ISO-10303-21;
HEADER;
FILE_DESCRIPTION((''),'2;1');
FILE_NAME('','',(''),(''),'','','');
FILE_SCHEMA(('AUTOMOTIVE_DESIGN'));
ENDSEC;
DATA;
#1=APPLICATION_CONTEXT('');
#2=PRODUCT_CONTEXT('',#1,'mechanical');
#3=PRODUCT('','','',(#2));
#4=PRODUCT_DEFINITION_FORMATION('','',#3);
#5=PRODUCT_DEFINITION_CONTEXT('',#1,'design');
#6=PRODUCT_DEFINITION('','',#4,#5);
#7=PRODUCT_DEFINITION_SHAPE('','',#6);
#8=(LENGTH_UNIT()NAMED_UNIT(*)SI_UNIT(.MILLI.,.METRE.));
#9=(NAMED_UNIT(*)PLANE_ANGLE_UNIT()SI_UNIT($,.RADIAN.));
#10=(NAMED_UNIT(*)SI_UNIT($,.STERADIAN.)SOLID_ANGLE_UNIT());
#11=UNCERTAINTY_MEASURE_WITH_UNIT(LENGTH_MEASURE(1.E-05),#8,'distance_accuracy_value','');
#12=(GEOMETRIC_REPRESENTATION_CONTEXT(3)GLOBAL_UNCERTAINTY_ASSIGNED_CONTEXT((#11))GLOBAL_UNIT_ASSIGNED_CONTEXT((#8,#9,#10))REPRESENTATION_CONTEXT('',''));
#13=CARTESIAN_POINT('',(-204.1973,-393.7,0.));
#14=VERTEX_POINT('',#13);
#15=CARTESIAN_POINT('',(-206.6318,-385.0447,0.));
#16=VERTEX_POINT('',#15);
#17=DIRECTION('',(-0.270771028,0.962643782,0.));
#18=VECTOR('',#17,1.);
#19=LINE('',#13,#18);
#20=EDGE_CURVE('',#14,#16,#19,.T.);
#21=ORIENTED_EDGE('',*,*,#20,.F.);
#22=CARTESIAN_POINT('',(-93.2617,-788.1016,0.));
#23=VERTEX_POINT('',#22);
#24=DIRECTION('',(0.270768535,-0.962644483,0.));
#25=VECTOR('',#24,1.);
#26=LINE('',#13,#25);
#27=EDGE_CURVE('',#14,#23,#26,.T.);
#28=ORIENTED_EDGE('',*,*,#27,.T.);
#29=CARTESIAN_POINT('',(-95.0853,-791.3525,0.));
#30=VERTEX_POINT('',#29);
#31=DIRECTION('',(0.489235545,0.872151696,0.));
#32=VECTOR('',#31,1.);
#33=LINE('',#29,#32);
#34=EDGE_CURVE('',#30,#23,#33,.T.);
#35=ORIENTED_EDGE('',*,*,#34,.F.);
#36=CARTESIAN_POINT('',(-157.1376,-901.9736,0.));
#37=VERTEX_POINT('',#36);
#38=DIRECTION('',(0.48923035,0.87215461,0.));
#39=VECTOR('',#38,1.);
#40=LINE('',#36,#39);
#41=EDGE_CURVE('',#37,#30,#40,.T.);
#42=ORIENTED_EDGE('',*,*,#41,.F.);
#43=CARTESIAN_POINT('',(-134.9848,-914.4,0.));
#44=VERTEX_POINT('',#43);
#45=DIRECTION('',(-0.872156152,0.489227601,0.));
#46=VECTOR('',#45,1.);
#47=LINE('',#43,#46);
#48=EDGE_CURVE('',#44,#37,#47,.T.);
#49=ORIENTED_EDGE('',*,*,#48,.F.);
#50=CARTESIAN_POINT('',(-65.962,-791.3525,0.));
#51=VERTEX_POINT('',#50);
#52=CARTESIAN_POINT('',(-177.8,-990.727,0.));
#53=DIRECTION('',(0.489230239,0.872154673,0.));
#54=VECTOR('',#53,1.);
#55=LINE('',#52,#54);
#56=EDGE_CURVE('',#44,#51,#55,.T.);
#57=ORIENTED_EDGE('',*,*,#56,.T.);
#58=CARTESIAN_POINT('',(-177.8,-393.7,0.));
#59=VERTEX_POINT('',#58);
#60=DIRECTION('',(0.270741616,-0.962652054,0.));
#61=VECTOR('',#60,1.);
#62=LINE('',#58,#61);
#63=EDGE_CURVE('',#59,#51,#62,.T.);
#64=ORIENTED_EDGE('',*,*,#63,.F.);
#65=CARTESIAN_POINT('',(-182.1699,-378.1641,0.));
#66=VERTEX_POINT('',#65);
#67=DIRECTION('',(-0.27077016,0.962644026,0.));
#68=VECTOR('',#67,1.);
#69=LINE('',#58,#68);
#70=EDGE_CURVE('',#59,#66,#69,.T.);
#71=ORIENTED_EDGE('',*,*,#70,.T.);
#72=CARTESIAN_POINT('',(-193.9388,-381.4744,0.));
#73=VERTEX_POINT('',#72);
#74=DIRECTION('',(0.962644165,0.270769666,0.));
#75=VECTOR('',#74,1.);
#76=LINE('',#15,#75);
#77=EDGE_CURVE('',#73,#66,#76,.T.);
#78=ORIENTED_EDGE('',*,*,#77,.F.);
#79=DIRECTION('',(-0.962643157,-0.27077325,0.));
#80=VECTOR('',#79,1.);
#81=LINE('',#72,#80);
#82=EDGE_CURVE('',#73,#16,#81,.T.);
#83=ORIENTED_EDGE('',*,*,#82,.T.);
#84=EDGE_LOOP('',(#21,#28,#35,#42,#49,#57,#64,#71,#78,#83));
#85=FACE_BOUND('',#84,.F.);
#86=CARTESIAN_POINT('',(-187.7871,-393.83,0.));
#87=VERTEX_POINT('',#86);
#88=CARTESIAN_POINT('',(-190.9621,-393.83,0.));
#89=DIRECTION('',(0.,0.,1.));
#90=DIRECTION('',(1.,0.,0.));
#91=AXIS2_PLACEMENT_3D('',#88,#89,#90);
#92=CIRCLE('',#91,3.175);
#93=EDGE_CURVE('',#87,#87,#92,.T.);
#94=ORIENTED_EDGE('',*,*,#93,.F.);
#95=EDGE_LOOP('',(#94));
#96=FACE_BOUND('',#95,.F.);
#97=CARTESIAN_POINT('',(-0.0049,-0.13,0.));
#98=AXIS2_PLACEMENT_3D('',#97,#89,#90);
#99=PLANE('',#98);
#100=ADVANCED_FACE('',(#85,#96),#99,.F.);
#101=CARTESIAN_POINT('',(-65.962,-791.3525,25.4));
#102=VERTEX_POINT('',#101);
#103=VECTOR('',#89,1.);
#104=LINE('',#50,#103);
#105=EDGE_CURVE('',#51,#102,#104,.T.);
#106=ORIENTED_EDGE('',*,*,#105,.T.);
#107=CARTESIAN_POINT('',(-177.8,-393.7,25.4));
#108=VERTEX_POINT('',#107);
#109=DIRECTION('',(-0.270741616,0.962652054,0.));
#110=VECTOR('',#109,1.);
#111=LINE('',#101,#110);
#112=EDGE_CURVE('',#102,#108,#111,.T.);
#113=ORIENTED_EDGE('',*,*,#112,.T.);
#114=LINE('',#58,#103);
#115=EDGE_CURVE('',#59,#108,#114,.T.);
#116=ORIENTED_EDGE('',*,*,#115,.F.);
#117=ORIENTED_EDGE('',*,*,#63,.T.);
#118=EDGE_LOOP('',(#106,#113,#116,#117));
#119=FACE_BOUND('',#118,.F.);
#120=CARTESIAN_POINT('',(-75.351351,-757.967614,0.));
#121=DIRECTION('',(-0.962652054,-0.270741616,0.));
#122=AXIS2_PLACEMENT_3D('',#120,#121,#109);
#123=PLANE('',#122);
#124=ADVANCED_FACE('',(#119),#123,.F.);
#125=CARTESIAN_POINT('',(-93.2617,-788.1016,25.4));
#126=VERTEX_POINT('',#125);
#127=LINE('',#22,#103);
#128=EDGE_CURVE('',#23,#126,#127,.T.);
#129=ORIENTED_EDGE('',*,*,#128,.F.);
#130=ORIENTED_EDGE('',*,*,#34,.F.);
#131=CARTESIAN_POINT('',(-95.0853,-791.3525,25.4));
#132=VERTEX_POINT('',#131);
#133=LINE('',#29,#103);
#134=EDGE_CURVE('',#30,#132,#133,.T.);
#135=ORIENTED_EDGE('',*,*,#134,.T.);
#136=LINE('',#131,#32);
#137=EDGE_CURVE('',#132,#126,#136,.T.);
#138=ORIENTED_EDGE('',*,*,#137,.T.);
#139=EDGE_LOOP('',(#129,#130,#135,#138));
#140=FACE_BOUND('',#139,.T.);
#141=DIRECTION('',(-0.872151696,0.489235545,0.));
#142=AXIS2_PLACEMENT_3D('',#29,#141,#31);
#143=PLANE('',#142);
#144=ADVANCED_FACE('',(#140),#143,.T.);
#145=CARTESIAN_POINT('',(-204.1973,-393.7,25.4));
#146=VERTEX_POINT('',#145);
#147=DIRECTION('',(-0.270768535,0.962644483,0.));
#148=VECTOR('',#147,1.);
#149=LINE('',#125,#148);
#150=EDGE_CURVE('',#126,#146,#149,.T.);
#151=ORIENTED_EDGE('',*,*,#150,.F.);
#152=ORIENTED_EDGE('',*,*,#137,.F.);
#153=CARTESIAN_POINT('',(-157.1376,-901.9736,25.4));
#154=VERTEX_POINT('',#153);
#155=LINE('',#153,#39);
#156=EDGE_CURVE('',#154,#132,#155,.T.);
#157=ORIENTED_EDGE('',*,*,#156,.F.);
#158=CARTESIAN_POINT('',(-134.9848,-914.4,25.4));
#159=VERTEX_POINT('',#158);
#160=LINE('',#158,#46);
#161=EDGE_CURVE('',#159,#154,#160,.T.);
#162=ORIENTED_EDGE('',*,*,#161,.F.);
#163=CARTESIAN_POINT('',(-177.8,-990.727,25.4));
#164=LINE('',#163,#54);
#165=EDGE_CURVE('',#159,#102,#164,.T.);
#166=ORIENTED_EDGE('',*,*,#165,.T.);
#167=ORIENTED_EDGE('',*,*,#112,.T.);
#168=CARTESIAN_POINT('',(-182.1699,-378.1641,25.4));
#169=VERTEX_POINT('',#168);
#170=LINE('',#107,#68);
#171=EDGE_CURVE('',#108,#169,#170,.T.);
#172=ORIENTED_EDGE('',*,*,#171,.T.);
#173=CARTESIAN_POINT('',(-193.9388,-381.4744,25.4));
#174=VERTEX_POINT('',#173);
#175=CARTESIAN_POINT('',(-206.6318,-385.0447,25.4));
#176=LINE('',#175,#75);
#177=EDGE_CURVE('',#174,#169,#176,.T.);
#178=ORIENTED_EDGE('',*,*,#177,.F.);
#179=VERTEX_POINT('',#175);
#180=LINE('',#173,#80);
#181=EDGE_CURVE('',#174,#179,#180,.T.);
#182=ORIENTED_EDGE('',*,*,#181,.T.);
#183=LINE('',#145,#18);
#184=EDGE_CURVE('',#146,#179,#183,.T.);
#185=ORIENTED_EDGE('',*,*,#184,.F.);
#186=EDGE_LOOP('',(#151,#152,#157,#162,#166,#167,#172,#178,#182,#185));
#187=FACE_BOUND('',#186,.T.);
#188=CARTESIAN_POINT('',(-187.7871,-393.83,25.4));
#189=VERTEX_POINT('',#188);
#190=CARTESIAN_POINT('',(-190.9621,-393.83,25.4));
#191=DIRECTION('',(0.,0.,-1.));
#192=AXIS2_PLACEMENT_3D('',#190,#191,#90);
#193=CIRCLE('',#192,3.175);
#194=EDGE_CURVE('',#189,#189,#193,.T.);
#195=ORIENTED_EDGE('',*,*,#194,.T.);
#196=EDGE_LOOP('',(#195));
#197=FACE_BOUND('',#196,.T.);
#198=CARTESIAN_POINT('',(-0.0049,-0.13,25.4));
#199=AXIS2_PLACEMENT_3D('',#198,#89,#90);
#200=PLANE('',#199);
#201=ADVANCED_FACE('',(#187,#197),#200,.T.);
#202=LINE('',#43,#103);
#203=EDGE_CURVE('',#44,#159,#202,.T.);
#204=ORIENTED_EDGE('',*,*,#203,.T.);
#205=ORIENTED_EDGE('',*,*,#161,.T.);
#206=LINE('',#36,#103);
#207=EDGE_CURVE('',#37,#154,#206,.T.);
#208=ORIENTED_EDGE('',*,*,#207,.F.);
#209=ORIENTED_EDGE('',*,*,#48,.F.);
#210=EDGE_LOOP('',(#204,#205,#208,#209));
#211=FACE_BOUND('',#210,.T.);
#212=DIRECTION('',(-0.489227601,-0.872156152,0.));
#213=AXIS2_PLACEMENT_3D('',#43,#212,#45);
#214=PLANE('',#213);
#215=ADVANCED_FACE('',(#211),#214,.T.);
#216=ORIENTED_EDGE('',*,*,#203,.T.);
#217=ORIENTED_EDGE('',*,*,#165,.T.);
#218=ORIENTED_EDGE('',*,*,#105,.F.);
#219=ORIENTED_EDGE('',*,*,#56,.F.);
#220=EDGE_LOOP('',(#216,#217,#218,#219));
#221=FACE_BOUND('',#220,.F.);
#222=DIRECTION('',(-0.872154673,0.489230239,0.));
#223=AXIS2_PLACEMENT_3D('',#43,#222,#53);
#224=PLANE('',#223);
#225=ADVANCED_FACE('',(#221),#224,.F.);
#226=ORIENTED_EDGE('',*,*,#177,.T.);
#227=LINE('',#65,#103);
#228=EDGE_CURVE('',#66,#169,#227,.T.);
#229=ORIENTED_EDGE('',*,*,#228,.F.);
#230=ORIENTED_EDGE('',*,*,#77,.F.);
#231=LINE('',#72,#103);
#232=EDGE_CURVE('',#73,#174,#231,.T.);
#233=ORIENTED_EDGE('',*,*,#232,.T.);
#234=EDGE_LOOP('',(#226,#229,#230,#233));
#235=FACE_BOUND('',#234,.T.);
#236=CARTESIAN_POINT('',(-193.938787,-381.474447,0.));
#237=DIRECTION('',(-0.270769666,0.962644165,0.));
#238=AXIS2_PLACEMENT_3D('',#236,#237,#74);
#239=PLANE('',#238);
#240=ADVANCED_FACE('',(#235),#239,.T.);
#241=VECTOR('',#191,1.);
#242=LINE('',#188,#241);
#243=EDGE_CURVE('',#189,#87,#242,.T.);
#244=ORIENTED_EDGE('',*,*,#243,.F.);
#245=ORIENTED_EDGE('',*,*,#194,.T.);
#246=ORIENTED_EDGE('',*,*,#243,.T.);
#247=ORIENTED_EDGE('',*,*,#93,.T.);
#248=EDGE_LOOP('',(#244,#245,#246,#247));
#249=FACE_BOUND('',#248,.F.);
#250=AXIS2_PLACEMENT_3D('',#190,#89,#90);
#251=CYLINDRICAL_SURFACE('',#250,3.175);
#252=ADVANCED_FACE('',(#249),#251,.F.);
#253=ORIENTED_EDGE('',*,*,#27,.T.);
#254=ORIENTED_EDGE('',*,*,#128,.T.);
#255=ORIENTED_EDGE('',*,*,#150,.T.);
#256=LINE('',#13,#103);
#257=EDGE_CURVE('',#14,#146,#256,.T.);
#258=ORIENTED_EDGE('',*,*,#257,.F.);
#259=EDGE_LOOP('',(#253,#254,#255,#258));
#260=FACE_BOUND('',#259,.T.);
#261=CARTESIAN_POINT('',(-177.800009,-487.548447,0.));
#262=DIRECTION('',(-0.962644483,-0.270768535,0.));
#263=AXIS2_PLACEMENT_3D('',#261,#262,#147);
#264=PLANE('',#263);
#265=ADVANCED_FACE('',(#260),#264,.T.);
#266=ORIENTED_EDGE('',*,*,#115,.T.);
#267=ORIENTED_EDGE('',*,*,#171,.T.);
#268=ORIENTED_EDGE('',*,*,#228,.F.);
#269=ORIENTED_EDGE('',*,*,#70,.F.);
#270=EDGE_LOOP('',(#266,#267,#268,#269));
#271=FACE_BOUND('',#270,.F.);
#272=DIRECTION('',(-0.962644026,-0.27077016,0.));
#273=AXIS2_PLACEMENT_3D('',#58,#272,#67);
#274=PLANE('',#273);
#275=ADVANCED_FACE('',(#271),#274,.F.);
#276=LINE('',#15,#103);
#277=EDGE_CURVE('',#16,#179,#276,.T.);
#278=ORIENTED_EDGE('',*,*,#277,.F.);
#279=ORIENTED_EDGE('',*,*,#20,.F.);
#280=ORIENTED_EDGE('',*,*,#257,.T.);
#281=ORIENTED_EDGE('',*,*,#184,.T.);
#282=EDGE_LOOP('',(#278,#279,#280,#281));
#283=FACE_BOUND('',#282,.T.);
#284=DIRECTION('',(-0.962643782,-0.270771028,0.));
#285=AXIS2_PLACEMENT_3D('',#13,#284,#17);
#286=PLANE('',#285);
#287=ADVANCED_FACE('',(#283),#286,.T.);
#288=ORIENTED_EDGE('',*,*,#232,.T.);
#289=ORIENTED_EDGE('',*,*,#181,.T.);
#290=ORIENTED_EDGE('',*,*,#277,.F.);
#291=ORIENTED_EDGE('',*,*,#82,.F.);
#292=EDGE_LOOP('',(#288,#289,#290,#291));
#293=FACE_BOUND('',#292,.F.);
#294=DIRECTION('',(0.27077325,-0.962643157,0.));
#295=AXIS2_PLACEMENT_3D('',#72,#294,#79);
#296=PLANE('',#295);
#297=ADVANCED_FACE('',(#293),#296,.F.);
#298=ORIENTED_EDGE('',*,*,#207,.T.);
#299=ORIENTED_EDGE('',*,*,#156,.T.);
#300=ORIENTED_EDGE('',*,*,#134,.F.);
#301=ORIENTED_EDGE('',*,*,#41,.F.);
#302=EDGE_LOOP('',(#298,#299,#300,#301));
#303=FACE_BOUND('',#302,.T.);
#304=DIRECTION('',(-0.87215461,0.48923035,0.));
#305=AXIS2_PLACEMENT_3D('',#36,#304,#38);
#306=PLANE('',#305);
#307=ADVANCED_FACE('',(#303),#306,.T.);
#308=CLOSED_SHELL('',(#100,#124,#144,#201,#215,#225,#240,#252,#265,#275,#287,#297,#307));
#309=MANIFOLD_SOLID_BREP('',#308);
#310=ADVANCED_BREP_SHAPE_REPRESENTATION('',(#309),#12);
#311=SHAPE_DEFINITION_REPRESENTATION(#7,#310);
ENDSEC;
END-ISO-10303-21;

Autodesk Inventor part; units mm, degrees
ref_plane "YZ Plane" through (0, 0, 0) normal (1, 0, 0) x (0, 1, 0)
ref_plane "XZ Plane" through (0, 0, 0) normal (0, 1, 0) x (-1, 0, 0)
ref_plane "XY Plane" through (0, 0, 0) normal (0, 0, 1) x (1, 0, 0)
ref_plane "Work Plane1" through (-0.0049, -0.13, 0) normal (0, 0, 1) x (1, 0, 0)
sketch "Sketch1" plane through (-0.0049, -0.13, 0) normal (0, 0, 1) x (1, 0, 0)
  line L0 (0.0049, 0.13) -> (-63.4951, 0.13)
  line L1 (-63.4951, 0.13) -> (-63.4951, -482.47)
  line L2 (-63.4951, -482.47) -> (0.0049, -482.47)
  line L3 (0.0049, -482.47) -> (0.0049, 0.13)
  line L4 (-63.4951, -482.47) -> (114.3049, -482.47)
  line L5 (-63.4951, -482.47) -> (114.3049, -482.47) construction
  line L6 (-63.4951, -482.47) -> (63.5049, -482.47)
  line L7 (63.5049, -482.47) -> (63.5049, -406.27)
  line L8 (63.5049, -406.27) -> (-63.4951, -406.27)
  line L9 (-63.4951, -406.27) -> (-63.4951, -482.47)
  line L10 (-63.4951, -482.47) -> (-63.4951, -914.27)
  line L11 (-63.4951, -482.47) -> (368.3049, -482.47) construction
  line L12 (-63.4951, -914.27) -> (114.3049, -914.27)
  line L13 (114.3049, -914.27) -> (114.3049, -482.47)
  line L14 (-63.4951, -406.27) -> (-63.4951, -393.57)
  line L15 (-63.4951, -406.27) -> (-50.7951, -406.27) construction
  line L16 (-63.4951, -393.57) -> (-317.4951, -393.57)
  line L17 (-63.4951, -393.57) -> (190.5049, -393.57) construction
  line L18 (-63.4951, -393.57) -> (-317.4951, -393.57)
  line L19 (-317.4951, -393.57) -> (-317.4951, -914.27)
  line L20 (-317.4951, -914.27) -> (-63.4951, -914.27)
  line L21 (-63.4951, -914.27) -> (-63.4951, -393.57)
  line L22 (-63.4951, -393.57) -> (-177.7951, -393.57)
  line L23 (-177.7951, -393.57) -> (114.3049, -685.67)
  line L24 (114.3049, -685.67) -> (114.3049, -914.27)
  line L25 (-177.7951, -393.57) -> (114.3049, -685.6537)
  line L26 (-177.7951, -393.57) -> (-177.7951, -990.597)
  line L27 (-177.7951, -393.57) -> (419.2319, -393.57) construction
  line L28 (-177.7951, -990.597) -> (-65.9571, -791.2225)
  line L29 (-177.7951, -990.597) -> (50.8049, -990.597) construction
  line L30 (-65.9571, -791.2225) -> (-177.7951, -393.57)
  line L31 (-134.9799, -914.27) -> (-157.1327, -901.8436)
  line L32 (-134.9799, -914.27) -> (-109.5799, -914.27) construction
  line L33 (-157.1327, -901.8436) -> (-95.0804, -791.2225)
  line L34 (-75.3464, -757.8376) -> (-99.7978, -764.7145)
  line L35 (-95.0804, -791.2225) -> (-93.2568, -787.9716)
  line L36 (-93.2568, -787.9716) -> (-204.1924, -393.57)
  line L37 (-93.2568, -787.9716) -> (316.4496, -787.9716) construction
  line L38 (-190.4951, -393.57) -> (-193.9339, -381.3444)
  line L39 (-190.4951, -393.57) -> (-177.7951, -393.57) construction
  line L40 (-204.1924, -393.57) -> (-207.1501, -383.0548)
  line L41 (-193.9339, -381.3444) -> (-206.6269, -384.9147)
  line L42 (-206.6269, -384.9147) -> (-176.4218, -376.4187)
  line L43 (-177.7951, -393.57) -> (-182.165, -378.0341)
  line L44 (-182.165, -378.0341) -> (-206.6269, -384.9147)
  line L45 (-206.6269, -384.9147) -> (-93.2568, -787.9716)
  line L46 (-190.4951, -393.57) -> (-177.7951, -393.57)
  line L47 (-177.7951, -393.57) -> (-182.165, -378.0341)
  line L48 (-182.165, -378.0341) -> (-193.9339, -381.3444)
  line L49 (-193.9339, -381.3444) -> (-190.4951, -393.57)
  dimension "d0" = 63.5
  dimension "d1" = 482.6
  dimension "d2" = 177.8
  dimension "d3" = 0
  dimension "d4" = 127
  dimension "d5" = 76.2
  dimension "d6" = 431.8
  dimension "d7" = 90
  dimension "d8" = 12.7
  dimension "d9" = 90
  dimension "d10" = 254
  dimension "d11" = 180
  dimension "d12" = 254
  dimension "d13" = 520.7
  dimension "d14" = 114.3
  dimension "d15" = 45
  dimension "d16" = 413.0802
  dimension "d17" = 597.027
  dimension "d18" = 90
  dimension "d19" = 228.6
  dimension "d20" = 60.71
  dimension "d21" = 25.4
  dimension "d22" = 150.71
  dimension "d23" = 25.4
  dimension "d25" = 105.71
  dimension "d26" = 12.7
  dimension "d27" = 105.71
extrude "Extrusion1" add sketch "Sketch1" along normal blind 25.4 contours L26 L36 L16 | L30 L34 L36 L26 | L16 L38 L42 L43 | L16 L40 L41 L38 | L30 L28 L31 L33 L35 L36 L34
sketch "Sketch2" plane through (-0.0049, -0.13, 25.4) normal (0, 0, 1) x (1, 0, 0)
  line L0 (-182.165, -378.0341) -> (-206.6269, -384.9147) projected
  line L1 (-206.6269, -384.9147) -> (-182.165, -378.0341)
  line L2 (-182.165, -378.0341) -> (-194.396, -381.4744)
  line L3 (-194.396, -381.4744) -> (-190.9572, -393.7)
  circle A0 centre (-190.9572, -393.7) radius 3.175
  point P0 (0.0049, 0.13)
  dimension "d30" = 12.7
  dimension "d31" = 6.35
extrude "Extrusion2" cut sketch "Sketch2" against normal blind 25.4
properties part number "V-Arm"
